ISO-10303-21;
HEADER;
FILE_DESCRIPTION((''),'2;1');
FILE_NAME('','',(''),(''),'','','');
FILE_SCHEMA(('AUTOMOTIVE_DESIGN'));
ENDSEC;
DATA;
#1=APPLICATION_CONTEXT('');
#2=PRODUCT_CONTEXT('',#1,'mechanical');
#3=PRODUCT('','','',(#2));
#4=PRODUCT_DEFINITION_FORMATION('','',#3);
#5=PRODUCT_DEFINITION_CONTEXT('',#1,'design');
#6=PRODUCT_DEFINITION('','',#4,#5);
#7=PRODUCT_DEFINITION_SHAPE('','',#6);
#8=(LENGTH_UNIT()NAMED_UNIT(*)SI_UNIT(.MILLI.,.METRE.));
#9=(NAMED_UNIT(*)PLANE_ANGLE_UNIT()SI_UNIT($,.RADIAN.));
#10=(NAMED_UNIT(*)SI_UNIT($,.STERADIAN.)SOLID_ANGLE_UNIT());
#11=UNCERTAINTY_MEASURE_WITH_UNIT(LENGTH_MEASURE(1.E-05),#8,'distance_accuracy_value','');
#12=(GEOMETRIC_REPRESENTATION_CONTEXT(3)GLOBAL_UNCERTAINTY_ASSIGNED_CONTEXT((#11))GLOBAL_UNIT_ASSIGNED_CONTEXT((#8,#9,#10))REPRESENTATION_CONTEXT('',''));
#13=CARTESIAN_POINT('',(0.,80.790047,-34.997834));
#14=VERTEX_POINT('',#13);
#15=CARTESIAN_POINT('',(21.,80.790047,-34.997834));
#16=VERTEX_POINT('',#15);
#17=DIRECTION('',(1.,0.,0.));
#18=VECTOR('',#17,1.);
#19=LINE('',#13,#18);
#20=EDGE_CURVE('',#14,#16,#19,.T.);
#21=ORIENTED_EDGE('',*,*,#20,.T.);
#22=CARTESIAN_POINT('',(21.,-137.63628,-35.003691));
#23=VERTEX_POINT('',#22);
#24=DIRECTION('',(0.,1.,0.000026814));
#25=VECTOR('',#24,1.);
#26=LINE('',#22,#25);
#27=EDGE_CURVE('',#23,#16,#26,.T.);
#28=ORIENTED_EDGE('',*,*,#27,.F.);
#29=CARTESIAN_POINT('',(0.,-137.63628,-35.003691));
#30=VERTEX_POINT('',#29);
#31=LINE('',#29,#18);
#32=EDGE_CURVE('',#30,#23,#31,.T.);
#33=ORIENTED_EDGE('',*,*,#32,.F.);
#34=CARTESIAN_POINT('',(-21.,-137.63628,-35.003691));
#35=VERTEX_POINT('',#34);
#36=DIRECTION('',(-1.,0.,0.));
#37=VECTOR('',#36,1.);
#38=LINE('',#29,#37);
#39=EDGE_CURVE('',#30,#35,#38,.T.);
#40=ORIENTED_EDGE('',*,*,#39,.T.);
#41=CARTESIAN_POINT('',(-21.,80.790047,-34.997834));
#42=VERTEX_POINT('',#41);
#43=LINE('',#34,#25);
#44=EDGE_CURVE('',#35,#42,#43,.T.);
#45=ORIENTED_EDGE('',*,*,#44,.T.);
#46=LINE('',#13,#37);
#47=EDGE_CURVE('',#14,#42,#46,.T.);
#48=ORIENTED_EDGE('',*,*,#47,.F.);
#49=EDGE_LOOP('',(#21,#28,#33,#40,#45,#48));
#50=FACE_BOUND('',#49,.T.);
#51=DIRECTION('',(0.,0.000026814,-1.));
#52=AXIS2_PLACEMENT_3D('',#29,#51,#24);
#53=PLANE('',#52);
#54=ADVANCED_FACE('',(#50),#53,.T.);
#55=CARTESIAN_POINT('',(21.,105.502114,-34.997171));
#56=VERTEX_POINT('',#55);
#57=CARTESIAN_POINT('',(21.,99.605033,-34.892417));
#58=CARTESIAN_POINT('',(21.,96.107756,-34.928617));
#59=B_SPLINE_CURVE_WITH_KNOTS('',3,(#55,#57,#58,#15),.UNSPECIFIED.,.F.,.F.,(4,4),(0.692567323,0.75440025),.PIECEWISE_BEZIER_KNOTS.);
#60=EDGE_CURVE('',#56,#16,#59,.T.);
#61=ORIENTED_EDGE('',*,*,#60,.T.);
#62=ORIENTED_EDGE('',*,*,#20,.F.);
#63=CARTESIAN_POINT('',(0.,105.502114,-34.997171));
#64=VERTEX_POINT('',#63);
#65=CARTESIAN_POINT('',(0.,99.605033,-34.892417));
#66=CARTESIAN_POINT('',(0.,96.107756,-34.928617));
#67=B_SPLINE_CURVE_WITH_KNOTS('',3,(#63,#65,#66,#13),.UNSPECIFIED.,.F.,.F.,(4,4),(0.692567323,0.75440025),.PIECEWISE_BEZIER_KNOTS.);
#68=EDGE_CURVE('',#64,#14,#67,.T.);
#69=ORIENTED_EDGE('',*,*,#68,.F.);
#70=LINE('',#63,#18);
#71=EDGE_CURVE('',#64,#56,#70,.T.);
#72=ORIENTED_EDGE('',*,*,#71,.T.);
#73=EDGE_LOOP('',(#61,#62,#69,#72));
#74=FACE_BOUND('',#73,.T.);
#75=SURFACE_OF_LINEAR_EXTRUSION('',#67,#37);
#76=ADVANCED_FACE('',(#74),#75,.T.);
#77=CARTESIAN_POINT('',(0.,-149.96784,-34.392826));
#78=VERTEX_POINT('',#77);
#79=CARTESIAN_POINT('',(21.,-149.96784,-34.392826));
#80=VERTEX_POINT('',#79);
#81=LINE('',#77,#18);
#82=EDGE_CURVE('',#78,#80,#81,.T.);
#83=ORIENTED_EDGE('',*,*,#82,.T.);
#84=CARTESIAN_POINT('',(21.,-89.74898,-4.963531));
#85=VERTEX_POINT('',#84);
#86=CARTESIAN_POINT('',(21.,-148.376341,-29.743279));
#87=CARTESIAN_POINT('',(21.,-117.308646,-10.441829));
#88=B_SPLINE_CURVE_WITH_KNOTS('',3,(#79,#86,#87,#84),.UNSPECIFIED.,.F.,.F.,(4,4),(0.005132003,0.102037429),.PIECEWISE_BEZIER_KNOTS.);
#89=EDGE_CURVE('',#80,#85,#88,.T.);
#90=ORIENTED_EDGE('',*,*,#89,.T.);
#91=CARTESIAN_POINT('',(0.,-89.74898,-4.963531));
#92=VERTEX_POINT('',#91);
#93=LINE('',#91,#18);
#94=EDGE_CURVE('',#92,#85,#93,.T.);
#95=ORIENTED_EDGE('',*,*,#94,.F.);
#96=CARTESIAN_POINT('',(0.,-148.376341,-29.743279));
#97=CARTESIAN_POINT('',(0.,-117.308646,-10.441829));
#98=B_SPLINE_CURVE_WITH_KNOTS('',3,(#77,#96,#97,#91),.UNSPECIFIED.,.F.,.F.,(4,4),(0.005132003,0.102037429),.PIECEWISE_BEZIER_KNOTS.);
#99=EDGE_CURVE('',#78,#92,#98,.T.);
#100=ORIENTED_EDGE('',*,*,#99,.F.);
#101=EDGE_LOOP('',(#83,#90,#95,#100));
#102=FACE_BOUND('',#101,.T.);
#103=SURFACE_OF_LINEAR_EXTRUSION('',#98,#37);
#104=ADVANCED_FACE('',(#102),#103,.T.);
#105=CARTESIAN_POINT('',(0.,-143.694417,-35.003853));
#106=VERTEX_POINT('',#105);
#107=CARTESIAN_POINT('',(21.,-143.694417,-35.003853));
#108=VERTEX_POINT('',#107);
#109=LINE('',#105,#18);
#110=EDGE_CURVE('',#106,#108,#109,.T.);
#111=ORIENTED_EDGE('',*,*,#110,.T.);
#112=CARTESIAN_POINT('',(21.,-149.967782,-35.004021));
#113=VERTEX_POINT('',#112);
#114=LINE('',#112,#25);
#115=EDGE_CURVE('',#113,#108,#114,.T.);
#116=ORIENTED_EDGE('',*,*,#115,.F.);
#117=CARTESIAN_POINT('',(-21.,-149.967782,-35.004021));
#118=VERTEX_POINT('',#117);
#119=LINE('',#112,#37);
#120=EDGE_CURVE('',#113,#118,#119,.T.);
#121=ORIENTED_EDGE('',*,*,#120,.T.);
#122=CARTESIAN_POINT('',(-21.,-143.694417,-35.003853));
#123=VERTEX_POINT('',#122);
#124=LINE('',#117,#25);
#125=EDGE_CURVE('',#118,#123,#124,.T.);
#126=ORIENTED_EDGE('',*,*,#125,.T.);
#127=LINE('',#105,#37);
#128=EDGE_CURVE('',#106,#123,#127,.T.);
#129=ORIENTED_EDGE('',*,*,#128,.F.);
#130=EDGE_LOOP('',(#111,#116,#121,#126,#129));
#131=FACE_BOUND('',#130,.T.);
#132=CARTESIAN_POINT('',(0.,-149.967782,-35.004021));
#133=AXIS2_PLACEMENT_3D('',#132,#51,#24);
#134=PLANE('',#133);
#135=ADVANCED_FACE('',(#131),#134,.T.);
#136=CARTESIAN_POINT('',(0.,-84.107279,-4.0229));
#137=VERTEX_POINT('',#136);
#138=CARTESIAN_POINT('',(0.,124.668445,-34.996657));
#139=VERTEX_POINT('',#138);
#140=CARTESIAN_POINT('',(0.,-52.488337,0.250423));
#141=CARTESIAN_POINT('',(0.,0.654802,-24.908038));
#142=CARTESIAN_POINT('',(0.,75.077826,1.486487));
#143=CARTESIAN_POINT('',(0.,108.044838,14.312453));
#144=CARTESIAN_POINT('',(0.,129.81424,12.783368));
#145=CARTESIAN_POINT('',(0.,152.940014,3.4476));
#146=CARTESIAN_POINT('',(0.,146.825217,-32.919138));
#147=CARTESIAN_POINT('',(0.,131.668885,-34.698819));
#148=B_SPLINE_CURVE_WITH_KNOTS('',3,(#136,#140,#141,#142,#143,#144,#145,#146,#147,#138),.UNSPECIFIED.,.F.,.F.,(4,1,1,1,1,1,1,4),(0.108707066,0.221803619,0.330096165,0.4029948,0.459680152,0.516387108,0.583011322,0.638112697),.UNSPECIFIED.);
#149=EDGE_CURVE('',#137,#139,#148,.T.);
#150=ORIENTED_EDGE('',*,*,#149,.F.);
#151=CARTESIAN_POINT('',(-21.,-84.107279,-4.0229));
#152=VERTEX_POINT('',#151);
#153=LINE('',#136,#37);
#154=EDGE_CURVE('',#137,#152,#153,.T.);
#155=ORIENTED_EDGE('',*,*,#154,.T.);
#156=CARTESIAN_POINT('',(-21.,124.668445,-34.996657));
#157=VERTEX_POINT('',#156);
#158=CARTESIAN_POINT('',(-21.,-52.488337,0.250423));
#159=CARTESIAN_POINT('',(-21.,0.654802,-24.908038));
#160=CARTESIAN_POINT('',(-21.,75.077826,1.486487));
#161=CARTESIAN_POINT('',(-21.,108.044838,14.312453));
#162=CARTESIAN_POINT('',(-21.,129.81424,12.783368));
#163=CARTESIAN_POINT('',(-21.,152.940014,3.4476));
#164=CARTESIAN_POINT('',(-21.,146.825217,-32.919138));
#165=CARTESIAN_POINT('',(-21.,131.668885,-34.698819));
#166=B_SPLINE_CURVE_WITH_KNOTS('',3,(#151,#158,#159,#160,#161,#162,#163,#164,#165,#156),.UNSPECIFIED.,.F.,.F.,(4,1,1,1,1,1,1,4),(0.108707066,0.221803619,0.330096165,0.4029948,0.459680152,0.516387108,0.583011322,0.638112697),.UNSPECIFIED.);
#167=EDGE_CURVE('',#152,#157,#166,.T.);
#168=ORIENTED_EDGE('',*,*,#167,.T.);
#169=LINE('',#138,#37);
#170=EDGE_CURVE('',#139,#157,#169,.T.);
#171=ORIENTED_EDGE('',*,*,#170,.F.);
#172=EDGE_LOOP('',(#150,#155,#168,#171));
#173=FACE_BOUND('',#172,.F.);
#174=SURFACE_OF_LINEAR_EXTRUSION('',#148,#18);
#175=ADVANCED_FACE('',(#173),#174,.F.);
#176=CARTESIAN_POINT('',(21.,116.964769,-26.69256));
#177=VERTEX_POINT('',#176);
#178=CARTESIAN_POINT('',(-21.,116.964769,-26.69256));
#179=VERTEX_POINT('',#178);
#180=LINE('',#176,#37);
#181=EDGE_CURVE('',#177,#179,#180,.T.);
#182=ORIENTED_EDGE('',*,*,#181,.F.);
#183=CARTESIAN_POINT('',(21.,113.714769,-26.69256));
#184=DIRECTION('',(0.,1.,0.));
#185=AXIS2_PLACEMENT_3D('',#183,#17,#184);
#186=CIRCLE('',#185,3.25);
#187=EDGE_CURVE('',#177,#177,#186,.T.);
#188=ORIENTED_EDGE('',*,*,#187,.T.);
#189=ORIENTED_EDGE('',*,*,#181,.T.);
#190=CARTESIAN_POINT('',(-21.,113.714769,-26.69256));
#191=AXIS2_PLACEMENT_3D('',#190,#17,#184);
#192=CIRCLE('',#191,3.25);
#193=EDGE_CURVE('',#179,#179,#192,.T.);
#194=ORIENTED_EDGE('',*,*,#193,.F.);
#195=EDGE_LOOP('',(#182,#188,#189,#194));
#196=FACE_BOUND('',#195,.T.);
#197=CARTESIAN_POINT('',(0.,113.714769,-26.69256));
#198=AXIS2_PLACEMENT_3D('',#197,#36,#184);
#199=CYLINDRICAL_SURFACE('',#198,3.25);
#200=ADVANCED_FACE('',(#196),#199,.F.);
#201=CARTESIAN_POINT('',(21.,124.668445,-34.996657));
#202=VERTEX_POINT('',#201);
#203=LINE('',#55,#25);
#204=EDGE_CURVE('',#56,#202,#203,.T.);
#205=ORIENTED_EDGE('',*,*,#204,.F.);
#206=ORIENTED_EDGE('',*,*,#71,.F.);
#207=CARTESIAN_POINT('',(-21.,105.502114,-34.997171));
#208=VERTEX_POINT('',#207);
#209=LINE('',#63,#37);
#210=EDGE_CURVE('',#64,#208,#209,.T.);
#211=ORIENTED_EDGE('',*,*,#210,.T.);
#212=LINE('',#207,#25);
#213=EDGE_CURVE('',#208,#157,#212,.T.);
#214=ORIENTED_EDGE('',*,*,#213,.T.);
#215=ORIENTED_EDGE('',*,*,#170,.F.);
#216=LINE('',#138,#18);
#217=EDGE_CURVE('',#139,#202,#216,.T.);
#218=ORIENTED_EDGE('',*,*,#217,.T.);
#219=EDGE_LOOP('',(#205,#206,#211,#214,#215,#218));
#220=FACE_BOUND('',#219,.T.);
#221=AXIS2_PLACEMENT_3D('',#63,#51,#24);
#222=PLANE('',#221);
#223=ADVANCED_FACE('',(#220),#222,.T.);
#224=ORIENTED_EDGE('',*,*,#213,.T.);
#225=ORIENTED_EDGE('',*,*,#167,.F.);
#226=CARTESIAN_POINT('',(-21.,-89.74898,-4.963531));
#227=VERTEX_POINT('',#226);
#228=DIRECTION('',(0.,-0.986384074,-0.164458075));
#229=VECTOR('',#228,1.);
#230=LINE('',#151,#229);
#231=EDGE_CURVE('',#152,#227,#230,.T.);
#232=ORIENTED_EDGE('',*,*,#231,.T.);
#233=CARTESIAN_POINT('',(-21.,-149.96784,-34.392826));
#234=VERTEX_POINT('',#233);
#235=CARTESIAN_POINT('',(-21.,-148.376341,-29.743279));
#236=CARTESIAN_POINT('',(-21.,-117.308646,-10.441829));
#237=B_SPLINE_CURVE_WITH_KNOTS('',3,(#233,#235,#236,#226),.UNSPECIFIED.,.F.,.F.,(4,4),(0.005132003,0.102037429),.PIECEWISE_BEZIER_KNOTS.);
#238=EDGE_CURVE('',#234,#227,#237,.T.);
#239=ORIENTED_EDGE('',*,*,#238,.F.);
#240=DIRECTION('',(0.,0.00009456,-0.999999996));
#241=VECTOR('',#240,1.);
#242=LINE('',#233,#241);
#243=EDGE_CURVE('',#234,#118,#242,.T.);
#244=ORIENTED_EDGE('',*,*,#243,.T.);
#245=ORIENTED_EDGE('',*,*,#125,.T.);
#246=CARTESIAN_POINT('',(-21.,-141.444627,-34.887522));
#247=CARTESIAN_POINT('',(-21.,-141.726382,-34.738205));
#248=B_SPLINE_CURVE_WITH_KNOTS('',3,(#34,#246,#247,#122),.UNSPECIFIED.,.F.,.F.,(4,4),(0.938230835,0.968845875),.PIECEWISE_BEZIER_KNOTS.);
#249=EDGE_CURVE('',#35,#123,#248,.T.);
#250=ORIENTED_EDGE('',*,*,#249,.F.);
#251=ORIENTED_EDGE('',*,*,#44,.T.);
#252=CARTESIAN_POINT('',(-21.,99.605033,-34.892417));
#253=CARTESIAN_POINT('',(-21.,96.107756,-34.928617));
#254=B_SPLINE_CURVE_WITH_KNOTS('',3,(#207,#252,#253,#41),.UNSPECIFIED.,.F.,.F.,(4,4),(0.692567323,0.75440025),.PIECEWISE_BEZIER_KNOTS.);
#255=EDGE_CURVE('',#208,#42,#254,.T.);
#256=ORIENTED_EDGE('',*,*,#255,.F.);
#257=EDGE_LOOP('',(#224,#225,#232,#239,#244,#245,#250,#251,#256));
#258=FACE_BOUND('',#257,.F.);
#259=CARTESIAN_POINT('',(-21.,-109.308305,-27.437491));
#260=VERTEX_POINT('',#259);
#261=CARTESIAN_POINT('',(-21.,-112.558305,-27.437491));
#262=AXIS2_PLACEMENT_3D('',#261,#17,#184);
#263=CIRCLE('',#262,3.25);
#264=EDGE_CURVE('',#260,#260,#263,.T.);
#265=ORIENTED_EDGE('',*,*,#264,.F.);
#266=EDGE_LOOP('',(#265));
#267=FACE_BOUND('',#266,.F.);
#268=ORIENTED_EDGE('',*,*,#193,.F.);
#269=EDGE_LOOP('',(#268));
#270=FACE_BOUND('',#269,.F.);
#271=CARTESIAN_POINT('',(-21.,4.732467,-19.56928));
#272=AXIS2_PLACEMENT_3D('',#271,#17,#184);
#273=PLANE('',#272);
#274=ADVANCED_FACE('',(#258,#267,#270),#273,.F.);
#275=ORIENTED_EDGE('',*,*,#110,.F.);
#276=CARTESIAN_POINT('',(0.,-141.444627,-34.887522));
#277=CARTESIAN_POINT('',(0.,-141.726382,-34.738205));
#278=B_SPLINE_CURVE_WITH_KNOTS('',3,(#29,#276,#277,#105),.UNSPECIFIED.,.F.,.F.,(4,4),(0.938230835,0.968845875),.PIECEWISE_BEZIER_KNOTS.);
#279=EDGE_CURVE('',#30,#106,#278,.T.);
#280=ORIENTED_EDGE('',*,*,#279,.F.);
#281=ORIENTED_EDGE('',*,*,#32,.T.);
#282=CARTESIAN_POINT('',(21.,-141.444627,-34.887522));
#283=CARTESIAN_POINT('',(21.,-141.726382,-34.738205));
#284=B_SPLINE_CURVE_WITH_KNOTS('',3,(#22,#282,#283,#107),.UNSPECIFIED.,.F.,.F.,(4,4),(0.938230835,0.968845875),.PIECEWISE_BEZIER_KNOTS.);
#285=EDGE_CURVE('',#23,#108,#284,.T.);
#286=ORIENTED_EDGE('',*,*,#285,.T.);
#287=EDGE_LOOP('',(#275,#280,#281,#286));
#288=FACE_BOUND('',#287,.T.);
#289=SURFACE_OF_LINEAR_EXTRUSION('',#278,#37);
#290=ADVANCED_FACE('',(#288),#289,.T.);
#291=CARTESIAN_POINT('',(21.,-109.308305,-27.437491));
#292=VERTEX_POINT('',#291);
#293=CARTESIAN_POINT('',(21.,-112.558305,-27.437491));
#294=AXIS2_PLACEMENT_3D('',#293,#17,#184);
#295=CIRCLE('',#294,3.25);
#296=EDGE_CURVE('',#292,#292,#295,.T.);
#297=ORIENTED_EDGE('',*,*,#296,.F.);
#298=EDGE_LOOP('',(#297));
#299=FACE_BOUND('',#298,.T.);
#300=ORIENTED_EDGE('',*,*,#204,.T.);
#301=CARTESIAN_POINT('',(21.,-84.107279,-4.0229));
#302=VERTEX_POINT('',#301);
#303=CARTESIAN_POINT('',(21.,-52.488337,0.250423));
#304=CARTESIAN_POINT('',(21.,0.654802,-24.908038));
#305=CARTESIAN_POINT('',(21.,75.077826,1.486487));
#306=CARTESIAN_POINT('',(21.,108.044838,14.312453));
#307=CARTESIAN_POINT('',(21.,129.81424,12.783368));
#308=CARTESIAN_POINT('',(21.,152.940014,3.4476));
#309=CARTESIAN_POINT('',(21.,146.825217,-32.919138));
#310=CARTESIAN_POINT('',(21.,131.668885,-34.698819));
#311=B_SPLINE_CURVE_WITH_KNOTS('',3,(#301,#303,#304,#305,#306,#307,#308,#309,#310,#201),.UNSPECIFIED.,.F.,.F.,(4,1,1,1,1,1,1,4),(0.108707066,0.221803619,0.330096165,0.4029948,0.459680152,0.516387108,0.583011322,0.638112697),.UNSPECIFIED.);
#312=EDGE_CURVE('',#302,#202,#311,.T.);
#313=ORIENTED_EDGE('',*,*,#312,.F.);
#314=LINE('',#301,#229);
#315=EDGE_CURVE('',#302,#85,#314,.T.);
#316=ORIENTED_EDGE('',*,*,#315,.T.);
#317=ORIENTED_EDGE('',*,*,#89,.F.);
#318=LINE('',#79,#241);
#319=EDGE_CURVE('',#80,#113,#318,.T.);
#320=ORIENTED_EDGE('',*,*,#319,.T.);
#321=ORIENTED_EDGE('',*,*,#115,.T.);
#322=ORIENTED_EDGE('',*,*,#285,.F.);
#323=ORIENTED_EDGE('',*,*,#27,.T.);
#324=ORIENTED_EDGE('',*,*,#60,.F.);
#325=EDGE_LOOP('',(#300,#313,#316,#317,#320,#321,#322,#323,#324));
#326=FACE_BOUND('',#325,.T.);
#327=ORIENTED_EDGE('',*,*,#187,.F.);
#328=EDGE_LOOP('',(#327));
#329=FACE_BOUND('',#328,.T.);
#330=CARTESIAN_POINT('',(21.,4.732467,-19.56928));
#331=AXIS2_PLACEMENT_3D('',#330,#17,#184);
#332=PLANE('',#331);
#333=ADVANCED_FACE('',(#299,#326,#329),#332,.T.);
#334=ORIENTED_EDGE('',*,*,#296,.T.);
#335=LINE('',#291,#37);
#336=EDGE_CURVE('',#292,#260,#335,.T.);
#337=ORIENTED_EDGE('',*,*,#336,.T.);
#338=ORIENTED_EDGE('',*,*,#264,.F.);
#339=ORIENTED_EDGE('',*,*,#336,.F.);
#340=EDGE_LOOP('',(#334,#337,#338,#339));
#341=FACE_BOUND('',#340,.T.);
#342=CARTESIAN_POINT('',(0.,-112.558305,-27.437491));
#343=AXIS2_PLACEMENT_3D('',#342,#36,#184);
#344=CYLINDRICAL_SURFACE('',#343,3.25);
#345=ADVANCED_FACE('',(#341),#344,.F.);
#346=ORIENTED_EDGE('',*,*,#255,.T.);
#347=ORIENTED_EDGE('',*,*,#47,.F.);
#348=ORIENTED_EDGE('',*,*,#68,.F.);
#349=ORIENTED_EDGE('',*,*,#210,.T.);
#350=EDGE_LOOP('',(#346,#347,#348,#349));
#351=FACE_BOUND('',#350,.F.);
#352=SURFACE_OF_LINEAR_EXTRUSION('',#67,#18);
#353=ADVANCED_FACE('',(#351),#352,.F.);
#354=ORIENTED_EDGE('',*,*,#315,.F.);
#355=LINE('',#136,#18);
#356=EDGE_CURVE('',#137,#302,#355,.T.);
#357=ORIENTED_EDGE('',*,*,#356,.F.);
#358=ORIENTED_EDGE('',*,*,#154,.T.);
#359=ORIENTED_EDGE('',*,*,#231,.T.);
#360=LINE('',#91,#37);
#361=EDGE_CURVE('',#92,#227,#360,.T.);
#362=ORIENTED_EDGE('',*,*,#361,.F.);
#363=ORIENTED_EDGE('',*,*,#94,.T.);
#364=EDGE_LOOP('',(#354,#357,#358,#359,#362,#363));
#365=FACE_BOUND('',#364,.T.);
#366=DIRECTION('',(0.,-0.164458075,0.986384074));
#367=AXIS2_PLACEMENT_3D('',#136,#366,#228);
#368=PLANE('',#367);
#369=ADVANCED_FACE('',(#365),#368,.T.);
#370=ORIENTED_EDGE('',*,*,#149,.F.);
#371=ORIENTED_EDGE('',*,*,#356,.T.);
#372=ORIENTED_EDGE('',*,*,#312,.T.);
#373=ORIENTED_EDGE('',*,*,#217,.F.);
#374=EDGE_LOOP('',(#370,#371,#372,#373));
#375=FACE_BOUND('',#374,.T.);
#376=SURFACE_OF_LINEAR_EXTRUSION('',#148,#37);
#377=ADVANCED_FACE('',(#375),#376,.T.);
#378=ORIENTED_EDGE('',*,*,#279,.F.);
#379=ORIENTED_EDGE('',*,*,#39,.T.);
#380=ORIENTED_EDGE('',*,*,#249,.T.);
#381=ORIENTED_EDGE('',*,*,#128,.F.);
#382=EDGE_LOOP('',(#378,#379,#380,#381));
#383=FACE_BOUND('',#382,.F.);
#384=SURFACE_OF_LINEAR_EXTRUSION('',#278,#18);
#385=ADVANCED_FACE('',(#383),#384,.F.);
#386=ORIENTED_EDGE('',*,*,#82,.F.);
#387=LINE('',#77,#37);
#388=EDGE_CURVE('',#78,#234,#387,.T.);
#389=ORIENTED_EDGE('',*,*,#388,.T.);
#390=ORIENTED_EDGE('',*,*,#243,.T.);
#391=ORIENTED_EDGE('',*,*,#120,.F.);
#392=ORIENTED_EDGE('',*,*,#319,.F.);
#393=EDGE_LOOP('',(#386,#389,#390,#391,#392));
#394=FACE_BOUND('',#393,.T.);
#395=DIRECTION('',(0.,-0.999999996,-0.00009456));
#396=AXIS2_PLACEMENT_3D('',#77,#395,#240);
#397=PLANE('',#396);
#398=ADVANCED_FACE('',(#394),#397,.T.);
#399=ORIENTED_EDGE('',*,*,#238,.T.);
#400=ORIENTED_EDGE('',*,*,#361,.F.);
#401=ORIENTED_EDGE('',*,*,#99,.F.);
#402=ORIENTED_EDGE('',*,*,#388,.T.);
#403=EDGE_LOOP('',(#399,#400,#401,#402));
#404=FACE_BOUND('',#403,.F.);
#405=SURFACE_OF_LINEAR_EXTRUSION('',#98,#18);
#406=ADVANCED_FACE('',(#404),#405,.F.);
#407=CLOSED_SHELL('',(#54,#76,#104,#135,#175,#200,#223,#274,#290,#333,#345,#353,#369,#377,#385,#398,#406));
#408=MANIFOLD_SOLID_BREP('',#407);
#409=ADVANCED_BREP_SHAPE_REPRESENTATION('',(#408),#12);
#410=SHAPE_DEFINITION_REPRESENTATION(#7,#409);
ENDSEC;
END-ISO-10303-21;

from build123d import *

# Parameters (mm, degrees)
F0_R     = 3.25
F1_DEPTH = 21


with BuildPart() as f1:
    # F0 (on Right) → F1 (new body, symmetric)
    with BuildSketch(Plane.YZ):
        with BuildLine():
            Line((105.502113587, -34.9971709955), (124.668445329, -34.9966570689))
            add(Edge.make_bspline(
                [(-84.1072786547, -4.0229004557), (-52.4883370175, 0.2504227513), (0.6548018517, -24.9080376876), (75.0778261275, 1.4864868471), (108.0448382237, 14.3124525772), (129.8142395832, 12.7833679801), (152.9400135074, 3.4476002031), (146.8252167679, -32.9191382622), (131.6688854886, -34.6988186379), (124.6684453291, -34.9966570689)],
                knots=[0.1087070662, 0.1087070662, 0.1087070662, 0.1087070662, 0.2218036192, 0.3300961655, 0.4029947998, 0.4596801521, 0.516387108, 0.5830113223, 0.6381126975, 0.6381126975, 0.6381126975, 0.6381126975], degree=3))
            Line((-84.1072786547, -4.0229004557), (-89.7489796886, -4.963531308))
            add(Edge.make_bspline(
                [(-149.9678401013, -34.3928262286), (-148.3763412579, -29.743278927), (-117.3086455998, -10.4418294624), (-89.7489796886, -4.963531308)],
                knots=[0.0051320026, 0.0051320026, 0.0051320026, 0.0051320026, 0.1020374295, 0.1020374295, 0.1020374295, 0.1020374295], degree=3))
            Line((-149.9678401013, -34.3928262286), (-149.9677823067, -35.0040211728))
            Line((-149.9677823067, -35.0040211728), (-143.6944173157, -35.0038529586))
            add(Edge.make_bspline(
                [(-137.6362800843, -35.0036905156), (-141.4446271329, -34.8875220902), (-141.7263823323, -34.7382054392), (-143.6944173157, -35.0038529586)],
                knots=[0.9382308353, 0.9382308353, 0.9382308353, 0.9382308353, 0.9688458752, 0.9688458752, 0.9688458752, 0.9688458752], degree=3))
            Line((-137.6362800844, -35.0036905156), (80.7900474102, -34.9978336255))
            add(Edge.make_bspline(
                [(105.502113587, -34.9971709955), (99.6050333425, -34.8924174164), (96.1077557334, -34.9286169051), (80.7900474103, -34.9978336255)],
                knots=[0.6925673232, 0.6925673232, 0.6925673232, 0.6925673232, 0.7544002504, 0.7544002504, 0.7544002504, 0.7544002504], degree=3))
        make_face()
        with Locations((-112.5583052635, -27.4374913424)):
            Circle(F0_R, mode=Mode.SUBTRACT)
        with Locations((113.7147694826, -26.6925599426)):
            Circle(F0_R, mode=Mode.SUBTRACT)
    extrude(amount=F1_DEPTH, both=True)


solid = f1.part
